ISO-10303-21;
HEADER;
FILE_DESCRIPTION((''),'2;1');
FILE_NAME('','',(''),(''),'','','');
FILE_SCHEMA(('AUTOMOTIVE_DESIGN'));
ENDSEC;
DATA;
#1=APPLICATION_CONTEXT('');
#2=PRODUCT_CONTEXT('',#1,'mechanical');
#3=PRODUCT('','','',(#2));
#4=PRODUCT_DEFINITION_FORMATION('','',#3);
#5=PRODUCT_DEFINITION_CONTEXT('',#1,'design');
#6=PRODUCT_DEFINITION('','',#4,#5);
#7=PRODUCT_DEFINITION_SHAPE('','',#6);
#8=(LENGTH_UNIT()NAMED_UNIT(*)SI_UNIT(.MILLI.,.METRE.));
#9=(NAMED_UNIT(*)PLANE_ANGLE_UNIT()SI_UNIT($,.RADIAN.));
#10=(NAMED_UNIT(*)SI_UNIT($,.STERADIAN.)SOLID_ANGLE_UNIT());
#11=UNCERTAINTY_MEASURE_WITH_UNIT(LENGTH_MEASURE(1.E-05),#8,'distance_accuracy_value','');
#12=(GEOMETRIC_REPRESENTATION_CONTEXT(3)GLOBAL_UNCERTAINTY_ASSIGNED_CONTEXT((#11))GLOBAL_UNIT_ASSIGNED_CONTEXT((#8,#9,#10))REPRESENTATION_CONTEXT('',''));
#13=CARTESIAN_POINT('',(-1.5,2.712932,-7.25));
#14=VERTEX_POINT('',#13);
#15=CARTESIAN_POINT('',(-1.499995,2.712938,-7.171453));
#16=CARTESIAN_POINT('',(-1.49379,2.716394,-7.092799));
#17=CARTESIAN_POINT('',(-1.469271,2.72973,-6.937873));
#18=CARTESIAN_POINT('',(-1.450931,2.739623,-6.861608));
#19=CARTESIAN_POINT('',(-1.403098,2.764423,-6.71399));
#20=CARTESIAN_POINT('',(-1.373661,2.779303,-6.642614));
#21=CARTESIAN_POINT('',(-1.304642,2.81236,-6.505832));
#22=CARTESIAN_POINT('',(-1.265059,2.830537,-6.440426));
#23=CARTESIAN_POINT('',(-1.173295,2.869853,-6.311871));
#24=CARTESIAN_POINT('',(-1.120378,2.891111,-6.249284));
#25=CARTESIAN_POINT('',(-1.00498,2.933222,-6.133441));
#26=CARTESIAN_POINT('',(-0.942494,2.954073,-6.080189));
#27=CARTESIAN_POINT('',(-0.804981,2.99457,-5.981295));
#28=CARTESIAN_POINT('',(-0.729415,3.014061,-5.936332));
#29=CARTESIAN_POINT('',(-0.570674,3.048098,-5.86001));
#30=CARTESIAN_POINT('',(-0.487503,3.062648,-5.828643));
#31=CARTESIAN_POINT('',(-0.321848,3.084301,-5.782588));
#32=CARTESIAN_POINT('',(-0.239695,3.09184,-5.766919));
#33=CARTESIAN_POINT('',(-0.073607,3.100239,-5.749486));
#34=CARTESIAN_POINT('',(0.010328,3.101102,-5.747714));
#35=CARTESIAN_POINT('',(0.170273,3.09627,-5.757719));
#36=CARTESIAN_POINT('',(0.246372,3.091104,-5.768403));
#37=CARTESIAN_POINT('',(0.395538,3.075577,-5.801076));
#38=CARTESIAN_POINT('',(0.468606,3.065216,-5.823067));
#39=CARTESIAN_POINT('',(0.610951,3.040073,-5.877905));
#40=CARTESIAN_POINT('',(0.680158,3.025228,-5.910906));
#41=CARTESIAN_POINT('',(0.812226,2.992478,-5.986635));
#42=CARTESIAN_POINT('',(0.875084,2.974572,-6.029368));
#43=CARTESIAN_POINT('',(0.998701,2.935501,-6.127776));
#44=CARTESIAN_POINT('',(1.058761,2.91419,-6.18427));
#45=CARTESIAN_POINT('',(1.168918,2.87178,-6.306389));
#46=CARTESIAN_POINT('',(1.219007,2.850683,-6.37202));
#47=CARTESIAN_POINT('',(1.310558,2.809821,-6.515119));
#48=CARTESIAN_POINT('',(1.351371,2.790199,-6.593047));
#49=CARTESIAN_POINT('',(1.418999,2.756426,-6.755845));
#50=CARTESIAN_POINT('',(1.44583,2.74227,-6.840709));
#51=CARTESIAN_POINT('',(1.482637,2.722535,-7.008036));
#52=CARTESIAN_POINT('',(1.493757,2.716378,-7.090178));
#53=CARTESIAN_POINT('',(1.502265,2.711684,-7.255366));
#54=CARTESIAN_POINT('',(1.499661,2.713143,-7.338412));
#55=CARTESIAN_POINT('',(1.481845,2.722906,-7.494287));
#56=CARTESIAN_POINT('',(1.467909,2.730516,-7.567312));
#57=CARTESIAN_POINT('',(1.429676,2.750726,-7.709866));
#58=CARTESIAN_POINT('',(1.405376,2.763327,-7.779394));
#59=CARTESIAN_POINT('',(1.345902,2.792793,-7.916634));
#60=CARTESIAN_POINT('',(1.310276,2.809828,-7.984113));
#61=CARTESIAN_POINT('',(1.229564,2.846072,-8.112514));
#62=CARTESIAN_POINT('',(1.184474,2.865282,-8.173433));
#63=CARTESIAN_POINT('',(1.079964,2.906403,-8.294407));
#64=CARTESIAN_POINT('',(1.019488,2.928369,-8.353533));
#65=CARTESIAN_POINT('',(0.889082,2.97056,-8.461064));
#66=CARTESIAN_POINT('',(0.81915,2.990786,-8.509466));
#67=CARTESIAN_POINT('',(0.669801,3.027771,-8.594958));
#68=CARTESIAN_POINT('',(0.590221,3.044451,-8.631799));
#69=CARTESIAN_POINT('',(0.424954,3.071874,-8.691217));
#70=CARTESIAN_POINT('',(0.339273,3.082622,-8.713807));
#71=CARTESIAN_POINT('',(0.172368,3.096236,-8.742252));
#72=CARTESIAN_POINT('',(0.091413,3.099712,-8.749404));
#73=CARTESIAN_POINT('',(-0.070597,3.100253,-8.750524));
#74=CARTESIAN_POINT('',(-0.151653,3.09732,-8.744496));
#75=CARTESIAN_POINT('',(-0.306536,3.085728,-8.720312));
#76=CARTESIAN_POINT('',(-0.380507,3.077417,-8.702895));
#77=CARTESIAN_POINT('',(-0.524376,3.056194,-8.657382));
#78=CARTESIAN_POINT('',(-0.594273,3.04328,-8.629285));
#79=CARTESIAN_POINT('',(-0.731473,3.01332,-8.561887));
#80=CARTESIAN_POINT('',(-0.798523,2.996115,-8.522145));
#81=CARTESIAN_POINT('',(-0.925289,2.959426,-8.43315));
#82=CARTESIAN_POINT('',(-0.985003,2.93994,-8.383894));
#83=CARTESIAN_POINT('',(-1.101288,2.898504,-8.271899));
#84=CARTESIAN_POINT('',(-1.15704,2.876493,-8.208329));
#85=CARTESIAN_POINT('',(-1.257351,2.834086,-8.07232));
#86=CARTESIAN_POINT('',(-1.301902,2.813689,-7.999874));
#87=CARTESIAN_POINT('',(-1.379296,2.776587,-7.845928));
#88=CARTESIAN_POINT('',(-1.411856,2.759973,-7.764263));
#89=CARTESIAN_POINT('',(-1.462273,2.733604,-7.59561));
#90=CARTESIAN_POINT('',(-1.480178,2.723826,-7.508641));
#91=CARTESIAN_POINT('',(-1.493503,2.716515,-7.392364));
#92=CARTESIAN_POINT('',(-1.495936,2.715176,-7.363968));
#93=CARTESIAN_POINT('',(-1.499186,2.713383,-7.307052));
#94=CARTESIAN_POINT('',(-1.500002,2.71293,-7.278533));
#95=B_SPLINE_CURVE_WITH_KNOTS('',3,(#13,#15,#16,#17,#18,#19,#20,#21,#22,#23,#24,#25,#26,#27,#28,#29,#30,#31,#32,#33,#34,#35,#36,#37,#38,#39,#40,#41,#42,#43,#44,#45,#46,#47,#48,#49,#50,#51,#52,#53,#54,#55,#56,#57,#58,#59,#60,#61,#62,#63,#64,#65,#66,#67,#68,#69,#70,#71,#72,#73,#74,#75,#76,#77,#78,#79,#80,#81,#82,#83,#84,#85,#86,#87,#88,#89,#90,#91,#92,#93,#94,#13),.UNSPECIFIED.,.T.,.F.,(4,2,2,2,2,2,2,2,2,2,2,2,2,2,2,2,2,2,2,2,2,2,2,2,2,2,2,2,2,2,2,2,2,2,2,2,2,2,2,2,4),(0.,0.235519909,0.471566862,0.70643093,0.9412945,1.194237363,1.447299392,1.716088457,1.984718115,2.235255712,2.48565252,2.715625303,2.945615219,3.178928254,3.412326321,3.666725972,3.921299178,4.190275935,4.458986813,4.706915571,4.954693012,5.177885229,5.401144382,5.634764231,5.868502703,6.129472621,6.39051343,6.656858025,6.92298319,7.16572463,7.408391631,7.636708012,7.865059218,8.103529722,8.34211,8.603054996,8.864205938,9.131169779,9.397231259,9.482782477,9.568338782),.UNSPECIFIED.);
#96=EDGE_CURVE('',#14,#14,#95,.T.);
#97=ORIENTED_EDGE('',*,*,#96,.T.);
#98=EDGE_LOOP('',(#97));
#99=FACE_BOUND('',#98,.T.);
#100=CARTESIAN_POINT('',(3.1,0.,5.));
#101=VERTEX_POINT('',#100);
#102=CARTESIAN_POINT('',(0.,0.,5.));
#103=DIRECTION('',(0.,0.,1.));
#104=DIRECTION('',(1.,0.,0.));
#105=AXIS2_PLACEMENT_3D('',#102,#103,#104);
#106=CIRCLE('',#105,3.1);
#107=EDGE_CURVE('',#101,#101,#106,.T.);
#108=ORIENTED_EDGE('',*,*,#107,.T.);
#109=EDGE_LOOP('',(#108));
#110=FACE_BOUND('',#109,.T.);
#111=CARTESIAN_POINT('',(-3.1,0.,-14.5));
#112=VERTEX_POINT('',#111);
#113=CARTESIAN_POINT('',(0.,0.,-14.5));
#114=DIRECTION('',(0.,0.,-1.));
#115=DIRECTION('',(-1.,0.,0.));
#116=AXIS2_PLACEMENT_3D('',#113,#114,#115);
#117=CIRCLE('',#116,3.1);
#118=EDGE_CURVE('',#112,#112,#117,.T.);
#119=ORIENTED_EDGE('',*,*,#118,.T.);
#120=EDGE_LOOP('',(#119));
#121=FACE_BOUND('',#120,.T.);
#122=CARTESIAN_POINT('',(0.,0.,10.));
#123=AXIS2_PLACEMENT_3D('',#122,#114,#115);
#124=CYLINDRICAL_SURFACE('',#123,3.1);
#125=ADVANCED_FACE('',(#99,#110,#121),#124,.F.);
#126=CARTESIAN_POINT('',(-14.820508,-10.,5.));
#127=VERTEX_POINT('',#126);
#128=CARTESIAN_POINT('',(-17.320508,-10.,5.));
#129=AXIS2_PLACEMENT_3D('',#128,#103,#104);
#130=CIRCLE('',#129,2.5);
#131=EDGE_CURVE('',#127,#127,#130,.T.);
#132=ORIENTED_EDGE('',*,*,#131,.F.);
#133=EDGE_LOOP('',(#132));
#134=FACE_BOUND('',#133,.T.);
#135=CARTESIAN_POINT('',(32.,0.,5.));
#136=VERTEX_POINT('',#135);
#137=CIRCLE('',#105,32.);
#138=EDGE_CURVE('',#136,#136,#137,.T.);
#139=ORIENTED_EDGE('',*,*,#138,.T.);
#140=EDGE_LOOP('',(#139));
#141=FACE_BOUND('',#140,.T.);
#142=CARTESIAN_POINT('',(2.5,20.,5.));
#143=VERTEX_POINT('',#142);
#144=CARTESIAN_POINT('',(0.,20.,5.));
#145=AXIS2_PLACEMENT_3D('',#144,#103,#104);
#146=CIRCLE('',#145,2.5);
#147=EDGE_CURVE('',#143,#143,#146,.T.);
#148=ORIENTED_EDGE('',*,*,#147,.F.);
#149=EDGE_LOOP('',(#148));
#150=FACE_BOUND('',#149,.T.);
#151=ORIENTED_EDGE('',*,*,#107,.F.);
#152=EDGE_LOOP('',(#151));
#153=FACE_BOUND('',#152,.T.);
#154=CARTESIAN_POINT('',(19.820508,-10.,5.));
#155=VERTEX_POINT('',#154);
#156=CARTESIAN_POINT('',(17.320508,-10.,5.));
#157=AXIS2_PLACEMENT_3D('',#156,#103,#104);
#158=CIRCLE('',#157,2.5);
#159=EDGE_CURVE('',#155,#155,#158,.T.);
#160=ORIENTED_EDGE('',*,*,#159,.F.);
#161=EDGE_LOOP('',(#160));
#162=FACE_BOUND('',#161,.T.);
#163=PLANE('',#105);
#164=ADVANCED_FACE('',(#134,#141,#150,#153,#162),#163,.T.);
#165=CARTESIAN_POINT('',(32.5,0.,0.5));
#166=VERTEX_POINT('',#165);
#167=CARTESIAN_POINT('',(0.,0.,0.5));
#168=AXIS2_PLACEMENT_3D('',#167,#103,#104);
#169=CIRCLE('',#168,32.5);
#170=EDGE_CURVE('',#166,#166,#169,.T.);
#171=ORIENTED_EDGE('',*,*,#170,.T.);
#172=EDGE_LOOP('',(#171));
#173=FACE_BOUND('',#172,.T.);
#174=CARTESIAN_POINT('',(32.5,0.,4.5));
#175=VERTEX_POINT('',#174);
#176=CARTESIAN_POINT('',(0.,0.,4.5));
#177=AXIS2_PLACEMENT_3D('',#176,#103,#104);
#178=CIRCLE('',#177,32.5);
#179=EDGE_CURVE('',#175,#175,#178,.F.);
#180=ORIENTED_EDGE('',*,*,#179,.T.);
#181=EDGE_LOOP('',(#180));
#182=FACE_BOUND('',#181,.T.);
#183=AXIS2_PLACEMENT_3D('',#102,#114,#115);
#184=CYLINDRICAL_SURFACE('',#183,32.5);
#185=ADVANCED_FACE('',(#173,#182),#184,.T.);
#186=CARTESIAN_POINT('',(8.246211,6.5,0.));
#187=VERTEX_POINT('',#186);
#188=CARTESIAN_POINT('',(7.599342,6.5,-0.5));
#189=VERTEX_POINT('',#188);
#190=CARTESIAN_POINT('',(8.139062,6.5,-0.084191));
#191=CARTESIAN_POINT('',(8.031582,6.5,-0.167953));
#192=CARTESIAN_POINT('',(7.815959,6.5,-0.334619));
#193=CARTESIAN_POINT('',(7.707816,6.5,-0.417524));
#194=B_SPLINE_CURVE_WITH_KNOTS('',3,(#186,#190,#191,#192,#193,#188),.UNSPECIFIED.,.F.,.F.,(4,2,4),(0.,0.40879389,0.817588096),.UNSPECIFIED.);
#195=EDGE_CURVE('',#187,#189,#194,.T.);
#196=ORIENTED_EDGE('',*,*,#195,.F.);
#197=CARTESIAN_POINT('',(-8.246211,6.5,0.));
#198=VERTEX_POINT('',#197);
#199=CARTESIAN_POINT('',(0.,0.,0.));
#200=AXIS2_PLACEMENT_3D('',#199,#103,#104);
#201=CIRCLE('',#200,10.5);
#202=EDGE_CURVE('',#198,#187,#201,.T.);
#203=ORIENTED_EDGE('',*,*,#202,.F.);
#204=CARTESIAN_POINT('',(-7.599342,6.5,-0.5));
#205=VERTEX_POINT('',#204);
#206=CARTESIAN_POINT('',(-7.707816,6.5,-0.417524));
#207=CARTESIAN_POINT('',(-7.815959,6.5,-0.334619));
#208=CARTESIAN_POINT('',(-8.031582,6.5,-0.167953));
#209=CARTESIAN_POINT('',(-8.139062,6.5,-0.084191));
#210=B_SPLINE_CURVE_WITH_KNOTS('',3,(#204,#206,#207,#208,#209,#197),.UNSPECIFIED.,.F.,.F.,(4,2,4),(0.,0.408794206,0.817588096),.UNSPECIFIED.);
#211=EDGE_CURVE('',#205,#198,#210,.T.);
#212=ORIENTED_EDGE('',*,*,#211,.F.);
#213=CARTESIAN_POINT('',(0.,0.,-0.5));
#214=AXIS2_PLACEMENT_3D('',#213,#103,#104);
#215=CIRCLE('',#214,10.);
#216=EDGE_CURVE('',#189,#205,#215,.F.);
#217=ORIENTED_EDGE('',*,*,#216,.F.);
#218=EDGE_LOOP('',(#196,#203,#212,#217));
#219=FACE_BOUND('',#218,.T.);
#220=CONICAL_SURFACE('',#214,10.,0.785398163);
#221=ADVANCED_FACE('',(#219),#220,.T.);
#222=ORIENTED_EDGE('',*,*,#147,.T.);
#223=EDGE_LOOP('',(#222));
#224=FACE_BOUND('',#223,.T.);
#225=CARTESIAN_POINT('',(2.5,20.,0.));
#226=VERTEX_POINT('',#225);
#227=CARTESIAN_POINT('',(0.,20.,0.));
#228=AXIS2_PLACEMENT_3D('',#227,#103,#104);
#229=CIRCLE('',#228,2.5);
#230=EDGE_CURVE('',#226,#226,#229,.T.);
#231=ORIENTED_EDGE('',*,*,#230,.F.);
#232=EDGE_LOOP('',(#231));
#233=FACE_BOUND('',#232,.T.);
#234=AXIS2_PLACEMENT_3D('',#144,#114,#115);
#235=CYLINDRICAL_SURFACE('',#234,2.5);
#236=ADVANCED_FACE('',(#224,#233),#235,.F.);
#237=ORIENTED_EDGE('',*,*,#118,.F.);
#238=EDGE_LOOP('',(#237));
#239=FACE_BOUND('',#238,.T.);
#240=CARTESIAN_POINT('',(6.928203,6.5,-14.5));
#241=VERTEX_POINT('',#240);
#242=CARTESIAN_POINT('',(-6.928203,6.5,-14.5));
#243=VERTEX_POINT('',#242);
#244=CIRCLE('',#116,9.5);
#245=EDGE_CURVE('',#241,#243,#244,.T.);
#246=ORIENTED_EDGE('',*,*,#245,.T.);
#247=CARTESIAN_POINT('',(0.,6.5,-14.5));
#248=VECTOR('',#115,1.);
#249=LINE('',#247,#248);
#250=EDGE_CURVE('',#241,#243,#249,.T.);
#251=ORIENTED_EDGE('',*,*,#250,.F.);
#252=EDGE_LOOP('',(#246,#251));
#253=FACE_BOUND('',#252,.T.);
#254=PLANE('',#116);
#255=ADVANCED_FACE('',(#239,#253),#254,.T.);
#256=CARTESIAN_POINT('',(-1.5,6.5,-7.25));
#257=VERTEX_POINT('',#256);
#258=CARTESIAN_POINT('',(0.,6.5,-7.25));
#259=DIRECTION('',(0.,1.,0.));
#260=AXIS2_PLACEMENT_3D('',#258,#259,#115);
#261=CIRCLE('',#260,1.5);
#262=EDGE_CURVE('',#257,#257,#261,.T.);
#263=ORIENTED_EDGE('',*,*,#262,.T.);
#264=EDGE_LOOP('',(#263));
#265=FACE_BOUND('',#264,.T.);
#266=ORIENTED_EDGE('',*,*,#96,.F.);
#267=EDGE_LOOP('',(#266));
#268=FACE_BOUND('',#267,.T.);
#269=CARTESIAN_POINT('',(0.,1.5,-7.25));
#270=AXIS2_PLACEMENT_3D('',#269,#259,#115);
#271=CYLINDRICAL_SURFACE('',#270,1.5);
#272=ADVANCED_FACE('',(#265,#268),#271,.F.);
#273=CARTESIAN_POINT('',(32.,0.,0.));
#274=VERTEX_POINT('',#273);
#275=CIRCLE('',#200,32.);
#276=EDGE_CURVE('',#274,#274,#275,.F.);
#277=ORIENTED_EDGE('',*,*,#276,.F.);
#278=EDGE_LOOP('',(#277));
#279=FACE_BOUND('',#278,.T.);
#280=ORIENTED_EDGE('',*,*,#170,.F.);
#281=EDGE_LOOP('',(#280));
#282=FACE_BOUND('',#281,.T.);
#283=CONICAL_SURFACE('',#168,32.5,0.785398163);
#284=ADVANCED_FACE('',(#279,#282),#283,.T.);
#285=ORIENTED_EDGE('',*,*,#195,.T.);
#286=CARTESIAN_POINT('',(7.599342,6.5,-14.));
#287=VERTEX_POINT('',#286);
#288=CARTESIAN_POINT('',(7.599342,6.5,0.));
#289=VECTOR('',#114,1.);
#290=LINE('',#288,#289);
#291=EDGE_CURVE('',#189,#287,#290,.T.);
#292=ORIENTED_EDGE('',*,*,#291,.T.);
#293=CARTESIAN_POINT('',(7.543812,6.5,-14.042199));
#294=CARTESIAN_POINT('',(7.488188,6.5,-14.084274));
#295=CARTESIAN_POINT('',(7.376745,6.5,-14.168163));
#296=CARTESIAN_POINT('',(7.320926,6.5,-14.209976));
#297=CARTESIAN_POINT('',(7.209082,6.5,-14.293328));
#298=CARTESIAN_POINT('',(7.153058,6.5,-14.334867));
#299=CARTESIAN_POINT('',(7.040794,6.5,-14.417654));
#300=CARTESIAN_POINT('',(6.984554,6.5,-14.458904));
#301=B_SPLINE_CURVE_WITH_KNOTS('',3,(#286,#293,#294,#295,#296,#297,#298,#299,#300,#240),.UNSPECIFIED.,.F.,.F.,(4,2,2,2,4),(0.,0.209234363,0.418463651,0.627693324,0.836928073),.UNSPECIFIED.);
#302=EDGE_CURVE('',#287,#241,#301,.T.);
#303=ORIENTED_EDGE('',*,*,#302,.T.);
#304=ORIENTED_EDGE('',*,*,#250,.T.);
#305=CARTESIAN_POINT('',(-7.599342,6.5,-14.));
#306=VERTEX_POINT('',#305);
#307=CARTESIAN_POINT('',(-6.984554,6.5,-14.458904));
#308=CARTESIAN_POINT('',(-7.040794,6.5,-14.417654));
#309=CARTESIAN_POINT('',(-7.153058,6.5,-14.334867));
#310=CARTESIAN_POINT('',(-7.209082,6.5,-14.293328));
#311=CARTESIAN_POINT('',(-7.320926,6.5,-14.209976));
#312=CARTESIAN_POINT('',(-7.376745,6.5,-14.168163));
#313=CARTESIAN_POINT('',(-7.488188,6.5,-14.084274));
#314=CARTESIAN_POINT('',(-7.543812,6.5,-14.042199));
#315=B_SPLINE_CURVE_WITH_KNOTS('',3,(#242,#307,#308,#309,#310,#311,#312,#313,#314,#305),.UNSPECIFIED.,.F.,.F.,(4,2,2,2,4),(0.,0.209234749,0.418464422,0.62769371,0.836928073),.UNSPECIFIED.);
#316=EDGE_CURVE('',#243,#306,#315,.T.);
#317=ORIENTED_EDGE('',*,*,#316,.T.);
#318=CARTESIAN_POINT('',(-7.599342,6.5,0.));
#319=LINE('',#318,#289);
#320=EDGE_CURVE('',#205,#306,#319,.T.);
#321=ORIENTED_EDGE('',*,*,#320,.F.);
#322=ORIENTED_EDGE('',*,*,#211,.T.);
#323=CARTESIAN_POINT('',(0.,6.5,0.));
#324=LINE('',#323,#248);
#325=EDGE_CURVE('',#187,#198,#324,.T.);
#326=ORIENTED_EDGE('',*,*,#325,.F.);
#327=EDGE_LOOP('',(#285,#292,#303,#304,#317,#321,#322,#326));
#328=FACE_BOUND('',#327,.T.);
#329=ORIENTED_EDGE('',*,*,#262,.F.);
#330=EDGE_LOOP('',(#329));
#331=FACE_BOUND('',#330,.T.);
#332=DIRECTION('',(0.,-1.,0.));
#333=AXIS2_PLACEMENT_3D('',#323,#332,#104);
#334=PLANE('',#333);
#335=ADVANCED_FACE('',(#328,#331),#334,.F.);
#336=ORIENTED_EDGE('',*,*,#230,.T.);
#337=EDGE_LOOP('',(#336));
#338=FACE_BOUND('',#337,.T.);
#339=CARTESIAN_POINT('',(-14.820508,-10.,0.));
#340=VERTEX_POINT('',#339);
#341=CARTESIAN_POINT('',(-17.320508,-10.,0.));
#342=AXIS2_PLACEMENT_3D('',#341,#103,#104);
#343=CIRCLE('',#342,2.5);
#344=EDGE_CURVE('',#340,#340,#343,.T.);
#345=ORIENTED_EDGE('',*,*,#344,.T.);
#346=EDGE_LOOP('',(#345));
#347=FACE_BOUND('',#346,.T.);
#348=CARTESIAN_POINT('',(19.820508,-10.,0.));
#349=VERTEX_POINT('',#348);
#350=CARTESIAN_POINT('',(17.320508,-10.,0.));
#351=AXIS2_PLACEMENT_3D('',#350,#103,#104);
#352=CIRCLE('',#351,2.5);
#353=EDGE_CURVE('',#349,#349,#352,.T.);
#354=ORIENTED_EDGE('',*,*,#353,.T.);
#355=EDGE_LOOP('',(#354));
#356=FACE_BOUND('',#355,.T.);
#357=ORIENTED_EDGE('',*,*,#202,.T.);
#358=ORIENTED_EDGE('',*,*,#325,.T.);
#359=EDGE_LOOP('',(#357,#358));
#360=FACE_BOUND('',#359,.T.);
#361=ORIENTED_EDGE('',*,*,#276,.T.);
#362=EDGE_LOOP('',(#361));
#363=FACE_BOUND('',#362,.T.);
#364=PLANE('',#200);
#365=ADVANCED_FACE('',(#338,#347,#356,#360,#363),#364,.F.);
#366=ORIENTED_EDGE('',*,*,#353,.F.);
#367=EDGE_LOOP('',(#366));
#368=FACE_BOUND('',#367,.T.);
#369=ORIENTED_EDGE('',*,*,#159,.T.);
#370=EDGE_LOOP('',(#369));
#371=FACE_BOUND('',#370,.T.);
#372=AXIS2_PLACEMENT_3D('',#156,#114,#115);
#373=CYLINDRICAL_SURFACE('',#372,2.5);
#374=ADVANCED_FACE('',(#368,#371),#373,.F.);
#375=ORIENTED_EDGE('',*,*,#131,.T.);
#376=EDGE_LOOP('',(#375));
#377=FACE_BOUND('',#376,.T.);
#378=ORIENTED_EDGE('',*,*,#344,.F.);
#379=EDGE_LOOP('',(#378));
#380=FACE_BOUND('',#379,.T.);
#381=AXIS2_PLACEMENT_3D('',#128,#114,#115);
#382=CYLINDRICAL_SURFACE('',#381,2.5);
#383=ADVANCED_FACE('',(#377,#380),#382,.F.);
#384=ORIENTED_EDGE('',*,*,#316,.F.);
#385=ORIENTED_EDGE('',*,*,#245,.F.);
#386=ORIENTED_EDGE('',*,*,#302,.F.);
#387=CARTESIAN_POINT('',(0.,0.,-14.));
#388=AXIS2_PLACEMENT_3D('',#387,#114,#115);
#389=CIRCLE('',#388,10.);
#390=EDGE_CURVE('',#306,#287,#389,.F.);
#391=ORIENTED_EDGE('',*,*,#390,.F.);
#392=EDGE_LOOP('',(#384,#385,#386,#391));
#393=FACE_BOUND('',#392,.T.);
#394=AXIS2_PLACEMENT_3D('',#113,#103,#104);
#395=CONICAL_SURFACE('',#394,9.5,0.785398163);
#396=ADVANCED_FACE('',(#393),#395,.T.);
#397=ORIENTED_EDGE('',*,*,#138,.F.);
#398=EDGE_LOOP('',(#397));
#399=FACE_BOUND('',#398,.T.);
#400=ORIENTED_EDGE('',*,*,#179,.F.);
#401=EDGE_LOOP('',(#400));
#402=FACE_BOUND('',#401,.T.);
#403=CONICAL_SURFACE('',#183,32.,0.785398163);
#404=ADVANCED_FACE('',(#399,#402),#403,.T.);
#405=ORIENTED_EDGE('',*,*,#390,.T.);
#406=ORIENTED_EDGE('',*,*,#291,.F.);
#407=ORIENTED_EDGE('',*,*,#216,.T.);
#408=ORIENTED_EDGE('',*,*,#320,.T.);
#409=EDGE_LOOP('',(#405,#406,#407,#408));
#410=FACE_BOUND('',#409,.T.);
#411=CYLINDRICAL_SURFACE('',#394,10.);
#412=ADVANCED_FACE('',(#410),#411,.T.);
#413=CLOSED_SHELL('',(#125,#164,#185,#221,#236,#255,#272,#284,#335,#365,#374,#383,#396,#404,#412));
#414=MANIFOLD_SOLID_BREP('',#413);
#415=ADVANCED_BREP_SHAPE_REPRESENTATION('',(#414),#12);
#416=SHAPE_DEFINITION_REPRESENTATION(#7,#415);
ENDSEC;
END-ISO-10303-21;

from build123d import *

# Parameters (mm, degrees)
SKETCH1_R           = 32.5
SKETCH1_R_2         = 2.5
BOSS_EXTRUDE1_DEPTH = 5
SKETCH2_R           = 10
BOSS_EXTRUDE2_DEPTH = 14.5
SKETCH3_R           = 3.1
CUT_EXTRUDE1_DEPTH  = 24.5
CUT_EXTRUDE3_START  = -14.5
CUT_EXTRUDE3_DEPTH  = 14.5
SKETCH8_R           = 1.5
CUT_EXTRUDE5_DEPTH  = 5
CHAMFER2_SIZE       = 0.5


with BuildPart() as part:
    # Sketch1 → Boss-Extrude1 (new body)
    with BuildSketch(Plane.XY):
        Circle(SKETCH1_R)
        with Locations((0, 20)):
            Circle(SKETCH1_R_2, mode=Mode.SUBTRACT)
        with Locations((-17.320508076, -10)):
            Circle(SKETCH1_R_2, mode=Mode.SUBTRACT)
        with Locations((17.320508076, -10)):
            Circle(SKETCH1_R_2, mode=Mode.SUBTRACT)
    extrude(amount=BOSS_EXTRUDE1_DEPTH)

    # Sketch2 → Boss-Extrude2 (add)
    with BuildSketch(Plane(origin=(0, 0, 0), x_dir=(-1, 0, 0), z_dir=(0, 0, -1))):
        with Locations(Location((0, 0, 0), (0, 0, 180))):
            Circle(SKETCH2_R)
    extrude(amount=BOSS_EXTRUDE2_DEPTH)

    # Sketch3 → Cut-Extrude1 (cut)
    with BuildSketch(Plane(origin=(0, 0, -14.5), x_dir=(-1, 0, 0), z_dir=(0, 0, -1))):
        Circle(SKETCH3_R)
    extrude(amount=-CUT_EXTRUDE1_DEPTH, mode=Mode.SUBTRACT)

    # Sketch7 → Cut-Extrude3 (cut)
    with BuildSketch(Plane(origin=(0, 0, -14.5), x_dir=(-1, 0, 0), z_dir=(0, 0, -1)).offset(CUT_EXTRUDE3_START)):
        with BuildLine():
            Line((0, 6.5), (-7.599342077, 6.5))
            ThreePointArc((-7.599342077, 6.5), (0, 10), (7.599342077, 6.5))
            Line((7.599342077, 6.5), (0, 6.5))
        make_face()
    extrude(amount=CUT_EXTRUDE3_DEPTH, mode=Mode.SUBTRACT)

    # Sketch8 → Cut-Extrude5 (cut)
    with BuildSketch(Plane(origin=(0, 6.5, 0), x_dir=(1, 0, 0), z_dir=(0, 1, 0))):
        with Locations(Location((0, 7.25, 0), (0, 0, 180))):
            Circle(SKETCH8_R)
    extrude(amount=-CUT_EXTRUDE5_DEPTH, mode=Mode.SUBTRACT)

    # Chamfer2
    chamfer2_edges = [part.edges().sort_by_distance(p)[0] for p in [
        (-32.5, 0, 0),
        (0, -10, -14.5),
        (0, -10, 0),
        (-32.5, 0, 5),
    ]]
    chamfer(chamfer2_edges, length=CHAMFER2_SIZE)


solid = part.part
